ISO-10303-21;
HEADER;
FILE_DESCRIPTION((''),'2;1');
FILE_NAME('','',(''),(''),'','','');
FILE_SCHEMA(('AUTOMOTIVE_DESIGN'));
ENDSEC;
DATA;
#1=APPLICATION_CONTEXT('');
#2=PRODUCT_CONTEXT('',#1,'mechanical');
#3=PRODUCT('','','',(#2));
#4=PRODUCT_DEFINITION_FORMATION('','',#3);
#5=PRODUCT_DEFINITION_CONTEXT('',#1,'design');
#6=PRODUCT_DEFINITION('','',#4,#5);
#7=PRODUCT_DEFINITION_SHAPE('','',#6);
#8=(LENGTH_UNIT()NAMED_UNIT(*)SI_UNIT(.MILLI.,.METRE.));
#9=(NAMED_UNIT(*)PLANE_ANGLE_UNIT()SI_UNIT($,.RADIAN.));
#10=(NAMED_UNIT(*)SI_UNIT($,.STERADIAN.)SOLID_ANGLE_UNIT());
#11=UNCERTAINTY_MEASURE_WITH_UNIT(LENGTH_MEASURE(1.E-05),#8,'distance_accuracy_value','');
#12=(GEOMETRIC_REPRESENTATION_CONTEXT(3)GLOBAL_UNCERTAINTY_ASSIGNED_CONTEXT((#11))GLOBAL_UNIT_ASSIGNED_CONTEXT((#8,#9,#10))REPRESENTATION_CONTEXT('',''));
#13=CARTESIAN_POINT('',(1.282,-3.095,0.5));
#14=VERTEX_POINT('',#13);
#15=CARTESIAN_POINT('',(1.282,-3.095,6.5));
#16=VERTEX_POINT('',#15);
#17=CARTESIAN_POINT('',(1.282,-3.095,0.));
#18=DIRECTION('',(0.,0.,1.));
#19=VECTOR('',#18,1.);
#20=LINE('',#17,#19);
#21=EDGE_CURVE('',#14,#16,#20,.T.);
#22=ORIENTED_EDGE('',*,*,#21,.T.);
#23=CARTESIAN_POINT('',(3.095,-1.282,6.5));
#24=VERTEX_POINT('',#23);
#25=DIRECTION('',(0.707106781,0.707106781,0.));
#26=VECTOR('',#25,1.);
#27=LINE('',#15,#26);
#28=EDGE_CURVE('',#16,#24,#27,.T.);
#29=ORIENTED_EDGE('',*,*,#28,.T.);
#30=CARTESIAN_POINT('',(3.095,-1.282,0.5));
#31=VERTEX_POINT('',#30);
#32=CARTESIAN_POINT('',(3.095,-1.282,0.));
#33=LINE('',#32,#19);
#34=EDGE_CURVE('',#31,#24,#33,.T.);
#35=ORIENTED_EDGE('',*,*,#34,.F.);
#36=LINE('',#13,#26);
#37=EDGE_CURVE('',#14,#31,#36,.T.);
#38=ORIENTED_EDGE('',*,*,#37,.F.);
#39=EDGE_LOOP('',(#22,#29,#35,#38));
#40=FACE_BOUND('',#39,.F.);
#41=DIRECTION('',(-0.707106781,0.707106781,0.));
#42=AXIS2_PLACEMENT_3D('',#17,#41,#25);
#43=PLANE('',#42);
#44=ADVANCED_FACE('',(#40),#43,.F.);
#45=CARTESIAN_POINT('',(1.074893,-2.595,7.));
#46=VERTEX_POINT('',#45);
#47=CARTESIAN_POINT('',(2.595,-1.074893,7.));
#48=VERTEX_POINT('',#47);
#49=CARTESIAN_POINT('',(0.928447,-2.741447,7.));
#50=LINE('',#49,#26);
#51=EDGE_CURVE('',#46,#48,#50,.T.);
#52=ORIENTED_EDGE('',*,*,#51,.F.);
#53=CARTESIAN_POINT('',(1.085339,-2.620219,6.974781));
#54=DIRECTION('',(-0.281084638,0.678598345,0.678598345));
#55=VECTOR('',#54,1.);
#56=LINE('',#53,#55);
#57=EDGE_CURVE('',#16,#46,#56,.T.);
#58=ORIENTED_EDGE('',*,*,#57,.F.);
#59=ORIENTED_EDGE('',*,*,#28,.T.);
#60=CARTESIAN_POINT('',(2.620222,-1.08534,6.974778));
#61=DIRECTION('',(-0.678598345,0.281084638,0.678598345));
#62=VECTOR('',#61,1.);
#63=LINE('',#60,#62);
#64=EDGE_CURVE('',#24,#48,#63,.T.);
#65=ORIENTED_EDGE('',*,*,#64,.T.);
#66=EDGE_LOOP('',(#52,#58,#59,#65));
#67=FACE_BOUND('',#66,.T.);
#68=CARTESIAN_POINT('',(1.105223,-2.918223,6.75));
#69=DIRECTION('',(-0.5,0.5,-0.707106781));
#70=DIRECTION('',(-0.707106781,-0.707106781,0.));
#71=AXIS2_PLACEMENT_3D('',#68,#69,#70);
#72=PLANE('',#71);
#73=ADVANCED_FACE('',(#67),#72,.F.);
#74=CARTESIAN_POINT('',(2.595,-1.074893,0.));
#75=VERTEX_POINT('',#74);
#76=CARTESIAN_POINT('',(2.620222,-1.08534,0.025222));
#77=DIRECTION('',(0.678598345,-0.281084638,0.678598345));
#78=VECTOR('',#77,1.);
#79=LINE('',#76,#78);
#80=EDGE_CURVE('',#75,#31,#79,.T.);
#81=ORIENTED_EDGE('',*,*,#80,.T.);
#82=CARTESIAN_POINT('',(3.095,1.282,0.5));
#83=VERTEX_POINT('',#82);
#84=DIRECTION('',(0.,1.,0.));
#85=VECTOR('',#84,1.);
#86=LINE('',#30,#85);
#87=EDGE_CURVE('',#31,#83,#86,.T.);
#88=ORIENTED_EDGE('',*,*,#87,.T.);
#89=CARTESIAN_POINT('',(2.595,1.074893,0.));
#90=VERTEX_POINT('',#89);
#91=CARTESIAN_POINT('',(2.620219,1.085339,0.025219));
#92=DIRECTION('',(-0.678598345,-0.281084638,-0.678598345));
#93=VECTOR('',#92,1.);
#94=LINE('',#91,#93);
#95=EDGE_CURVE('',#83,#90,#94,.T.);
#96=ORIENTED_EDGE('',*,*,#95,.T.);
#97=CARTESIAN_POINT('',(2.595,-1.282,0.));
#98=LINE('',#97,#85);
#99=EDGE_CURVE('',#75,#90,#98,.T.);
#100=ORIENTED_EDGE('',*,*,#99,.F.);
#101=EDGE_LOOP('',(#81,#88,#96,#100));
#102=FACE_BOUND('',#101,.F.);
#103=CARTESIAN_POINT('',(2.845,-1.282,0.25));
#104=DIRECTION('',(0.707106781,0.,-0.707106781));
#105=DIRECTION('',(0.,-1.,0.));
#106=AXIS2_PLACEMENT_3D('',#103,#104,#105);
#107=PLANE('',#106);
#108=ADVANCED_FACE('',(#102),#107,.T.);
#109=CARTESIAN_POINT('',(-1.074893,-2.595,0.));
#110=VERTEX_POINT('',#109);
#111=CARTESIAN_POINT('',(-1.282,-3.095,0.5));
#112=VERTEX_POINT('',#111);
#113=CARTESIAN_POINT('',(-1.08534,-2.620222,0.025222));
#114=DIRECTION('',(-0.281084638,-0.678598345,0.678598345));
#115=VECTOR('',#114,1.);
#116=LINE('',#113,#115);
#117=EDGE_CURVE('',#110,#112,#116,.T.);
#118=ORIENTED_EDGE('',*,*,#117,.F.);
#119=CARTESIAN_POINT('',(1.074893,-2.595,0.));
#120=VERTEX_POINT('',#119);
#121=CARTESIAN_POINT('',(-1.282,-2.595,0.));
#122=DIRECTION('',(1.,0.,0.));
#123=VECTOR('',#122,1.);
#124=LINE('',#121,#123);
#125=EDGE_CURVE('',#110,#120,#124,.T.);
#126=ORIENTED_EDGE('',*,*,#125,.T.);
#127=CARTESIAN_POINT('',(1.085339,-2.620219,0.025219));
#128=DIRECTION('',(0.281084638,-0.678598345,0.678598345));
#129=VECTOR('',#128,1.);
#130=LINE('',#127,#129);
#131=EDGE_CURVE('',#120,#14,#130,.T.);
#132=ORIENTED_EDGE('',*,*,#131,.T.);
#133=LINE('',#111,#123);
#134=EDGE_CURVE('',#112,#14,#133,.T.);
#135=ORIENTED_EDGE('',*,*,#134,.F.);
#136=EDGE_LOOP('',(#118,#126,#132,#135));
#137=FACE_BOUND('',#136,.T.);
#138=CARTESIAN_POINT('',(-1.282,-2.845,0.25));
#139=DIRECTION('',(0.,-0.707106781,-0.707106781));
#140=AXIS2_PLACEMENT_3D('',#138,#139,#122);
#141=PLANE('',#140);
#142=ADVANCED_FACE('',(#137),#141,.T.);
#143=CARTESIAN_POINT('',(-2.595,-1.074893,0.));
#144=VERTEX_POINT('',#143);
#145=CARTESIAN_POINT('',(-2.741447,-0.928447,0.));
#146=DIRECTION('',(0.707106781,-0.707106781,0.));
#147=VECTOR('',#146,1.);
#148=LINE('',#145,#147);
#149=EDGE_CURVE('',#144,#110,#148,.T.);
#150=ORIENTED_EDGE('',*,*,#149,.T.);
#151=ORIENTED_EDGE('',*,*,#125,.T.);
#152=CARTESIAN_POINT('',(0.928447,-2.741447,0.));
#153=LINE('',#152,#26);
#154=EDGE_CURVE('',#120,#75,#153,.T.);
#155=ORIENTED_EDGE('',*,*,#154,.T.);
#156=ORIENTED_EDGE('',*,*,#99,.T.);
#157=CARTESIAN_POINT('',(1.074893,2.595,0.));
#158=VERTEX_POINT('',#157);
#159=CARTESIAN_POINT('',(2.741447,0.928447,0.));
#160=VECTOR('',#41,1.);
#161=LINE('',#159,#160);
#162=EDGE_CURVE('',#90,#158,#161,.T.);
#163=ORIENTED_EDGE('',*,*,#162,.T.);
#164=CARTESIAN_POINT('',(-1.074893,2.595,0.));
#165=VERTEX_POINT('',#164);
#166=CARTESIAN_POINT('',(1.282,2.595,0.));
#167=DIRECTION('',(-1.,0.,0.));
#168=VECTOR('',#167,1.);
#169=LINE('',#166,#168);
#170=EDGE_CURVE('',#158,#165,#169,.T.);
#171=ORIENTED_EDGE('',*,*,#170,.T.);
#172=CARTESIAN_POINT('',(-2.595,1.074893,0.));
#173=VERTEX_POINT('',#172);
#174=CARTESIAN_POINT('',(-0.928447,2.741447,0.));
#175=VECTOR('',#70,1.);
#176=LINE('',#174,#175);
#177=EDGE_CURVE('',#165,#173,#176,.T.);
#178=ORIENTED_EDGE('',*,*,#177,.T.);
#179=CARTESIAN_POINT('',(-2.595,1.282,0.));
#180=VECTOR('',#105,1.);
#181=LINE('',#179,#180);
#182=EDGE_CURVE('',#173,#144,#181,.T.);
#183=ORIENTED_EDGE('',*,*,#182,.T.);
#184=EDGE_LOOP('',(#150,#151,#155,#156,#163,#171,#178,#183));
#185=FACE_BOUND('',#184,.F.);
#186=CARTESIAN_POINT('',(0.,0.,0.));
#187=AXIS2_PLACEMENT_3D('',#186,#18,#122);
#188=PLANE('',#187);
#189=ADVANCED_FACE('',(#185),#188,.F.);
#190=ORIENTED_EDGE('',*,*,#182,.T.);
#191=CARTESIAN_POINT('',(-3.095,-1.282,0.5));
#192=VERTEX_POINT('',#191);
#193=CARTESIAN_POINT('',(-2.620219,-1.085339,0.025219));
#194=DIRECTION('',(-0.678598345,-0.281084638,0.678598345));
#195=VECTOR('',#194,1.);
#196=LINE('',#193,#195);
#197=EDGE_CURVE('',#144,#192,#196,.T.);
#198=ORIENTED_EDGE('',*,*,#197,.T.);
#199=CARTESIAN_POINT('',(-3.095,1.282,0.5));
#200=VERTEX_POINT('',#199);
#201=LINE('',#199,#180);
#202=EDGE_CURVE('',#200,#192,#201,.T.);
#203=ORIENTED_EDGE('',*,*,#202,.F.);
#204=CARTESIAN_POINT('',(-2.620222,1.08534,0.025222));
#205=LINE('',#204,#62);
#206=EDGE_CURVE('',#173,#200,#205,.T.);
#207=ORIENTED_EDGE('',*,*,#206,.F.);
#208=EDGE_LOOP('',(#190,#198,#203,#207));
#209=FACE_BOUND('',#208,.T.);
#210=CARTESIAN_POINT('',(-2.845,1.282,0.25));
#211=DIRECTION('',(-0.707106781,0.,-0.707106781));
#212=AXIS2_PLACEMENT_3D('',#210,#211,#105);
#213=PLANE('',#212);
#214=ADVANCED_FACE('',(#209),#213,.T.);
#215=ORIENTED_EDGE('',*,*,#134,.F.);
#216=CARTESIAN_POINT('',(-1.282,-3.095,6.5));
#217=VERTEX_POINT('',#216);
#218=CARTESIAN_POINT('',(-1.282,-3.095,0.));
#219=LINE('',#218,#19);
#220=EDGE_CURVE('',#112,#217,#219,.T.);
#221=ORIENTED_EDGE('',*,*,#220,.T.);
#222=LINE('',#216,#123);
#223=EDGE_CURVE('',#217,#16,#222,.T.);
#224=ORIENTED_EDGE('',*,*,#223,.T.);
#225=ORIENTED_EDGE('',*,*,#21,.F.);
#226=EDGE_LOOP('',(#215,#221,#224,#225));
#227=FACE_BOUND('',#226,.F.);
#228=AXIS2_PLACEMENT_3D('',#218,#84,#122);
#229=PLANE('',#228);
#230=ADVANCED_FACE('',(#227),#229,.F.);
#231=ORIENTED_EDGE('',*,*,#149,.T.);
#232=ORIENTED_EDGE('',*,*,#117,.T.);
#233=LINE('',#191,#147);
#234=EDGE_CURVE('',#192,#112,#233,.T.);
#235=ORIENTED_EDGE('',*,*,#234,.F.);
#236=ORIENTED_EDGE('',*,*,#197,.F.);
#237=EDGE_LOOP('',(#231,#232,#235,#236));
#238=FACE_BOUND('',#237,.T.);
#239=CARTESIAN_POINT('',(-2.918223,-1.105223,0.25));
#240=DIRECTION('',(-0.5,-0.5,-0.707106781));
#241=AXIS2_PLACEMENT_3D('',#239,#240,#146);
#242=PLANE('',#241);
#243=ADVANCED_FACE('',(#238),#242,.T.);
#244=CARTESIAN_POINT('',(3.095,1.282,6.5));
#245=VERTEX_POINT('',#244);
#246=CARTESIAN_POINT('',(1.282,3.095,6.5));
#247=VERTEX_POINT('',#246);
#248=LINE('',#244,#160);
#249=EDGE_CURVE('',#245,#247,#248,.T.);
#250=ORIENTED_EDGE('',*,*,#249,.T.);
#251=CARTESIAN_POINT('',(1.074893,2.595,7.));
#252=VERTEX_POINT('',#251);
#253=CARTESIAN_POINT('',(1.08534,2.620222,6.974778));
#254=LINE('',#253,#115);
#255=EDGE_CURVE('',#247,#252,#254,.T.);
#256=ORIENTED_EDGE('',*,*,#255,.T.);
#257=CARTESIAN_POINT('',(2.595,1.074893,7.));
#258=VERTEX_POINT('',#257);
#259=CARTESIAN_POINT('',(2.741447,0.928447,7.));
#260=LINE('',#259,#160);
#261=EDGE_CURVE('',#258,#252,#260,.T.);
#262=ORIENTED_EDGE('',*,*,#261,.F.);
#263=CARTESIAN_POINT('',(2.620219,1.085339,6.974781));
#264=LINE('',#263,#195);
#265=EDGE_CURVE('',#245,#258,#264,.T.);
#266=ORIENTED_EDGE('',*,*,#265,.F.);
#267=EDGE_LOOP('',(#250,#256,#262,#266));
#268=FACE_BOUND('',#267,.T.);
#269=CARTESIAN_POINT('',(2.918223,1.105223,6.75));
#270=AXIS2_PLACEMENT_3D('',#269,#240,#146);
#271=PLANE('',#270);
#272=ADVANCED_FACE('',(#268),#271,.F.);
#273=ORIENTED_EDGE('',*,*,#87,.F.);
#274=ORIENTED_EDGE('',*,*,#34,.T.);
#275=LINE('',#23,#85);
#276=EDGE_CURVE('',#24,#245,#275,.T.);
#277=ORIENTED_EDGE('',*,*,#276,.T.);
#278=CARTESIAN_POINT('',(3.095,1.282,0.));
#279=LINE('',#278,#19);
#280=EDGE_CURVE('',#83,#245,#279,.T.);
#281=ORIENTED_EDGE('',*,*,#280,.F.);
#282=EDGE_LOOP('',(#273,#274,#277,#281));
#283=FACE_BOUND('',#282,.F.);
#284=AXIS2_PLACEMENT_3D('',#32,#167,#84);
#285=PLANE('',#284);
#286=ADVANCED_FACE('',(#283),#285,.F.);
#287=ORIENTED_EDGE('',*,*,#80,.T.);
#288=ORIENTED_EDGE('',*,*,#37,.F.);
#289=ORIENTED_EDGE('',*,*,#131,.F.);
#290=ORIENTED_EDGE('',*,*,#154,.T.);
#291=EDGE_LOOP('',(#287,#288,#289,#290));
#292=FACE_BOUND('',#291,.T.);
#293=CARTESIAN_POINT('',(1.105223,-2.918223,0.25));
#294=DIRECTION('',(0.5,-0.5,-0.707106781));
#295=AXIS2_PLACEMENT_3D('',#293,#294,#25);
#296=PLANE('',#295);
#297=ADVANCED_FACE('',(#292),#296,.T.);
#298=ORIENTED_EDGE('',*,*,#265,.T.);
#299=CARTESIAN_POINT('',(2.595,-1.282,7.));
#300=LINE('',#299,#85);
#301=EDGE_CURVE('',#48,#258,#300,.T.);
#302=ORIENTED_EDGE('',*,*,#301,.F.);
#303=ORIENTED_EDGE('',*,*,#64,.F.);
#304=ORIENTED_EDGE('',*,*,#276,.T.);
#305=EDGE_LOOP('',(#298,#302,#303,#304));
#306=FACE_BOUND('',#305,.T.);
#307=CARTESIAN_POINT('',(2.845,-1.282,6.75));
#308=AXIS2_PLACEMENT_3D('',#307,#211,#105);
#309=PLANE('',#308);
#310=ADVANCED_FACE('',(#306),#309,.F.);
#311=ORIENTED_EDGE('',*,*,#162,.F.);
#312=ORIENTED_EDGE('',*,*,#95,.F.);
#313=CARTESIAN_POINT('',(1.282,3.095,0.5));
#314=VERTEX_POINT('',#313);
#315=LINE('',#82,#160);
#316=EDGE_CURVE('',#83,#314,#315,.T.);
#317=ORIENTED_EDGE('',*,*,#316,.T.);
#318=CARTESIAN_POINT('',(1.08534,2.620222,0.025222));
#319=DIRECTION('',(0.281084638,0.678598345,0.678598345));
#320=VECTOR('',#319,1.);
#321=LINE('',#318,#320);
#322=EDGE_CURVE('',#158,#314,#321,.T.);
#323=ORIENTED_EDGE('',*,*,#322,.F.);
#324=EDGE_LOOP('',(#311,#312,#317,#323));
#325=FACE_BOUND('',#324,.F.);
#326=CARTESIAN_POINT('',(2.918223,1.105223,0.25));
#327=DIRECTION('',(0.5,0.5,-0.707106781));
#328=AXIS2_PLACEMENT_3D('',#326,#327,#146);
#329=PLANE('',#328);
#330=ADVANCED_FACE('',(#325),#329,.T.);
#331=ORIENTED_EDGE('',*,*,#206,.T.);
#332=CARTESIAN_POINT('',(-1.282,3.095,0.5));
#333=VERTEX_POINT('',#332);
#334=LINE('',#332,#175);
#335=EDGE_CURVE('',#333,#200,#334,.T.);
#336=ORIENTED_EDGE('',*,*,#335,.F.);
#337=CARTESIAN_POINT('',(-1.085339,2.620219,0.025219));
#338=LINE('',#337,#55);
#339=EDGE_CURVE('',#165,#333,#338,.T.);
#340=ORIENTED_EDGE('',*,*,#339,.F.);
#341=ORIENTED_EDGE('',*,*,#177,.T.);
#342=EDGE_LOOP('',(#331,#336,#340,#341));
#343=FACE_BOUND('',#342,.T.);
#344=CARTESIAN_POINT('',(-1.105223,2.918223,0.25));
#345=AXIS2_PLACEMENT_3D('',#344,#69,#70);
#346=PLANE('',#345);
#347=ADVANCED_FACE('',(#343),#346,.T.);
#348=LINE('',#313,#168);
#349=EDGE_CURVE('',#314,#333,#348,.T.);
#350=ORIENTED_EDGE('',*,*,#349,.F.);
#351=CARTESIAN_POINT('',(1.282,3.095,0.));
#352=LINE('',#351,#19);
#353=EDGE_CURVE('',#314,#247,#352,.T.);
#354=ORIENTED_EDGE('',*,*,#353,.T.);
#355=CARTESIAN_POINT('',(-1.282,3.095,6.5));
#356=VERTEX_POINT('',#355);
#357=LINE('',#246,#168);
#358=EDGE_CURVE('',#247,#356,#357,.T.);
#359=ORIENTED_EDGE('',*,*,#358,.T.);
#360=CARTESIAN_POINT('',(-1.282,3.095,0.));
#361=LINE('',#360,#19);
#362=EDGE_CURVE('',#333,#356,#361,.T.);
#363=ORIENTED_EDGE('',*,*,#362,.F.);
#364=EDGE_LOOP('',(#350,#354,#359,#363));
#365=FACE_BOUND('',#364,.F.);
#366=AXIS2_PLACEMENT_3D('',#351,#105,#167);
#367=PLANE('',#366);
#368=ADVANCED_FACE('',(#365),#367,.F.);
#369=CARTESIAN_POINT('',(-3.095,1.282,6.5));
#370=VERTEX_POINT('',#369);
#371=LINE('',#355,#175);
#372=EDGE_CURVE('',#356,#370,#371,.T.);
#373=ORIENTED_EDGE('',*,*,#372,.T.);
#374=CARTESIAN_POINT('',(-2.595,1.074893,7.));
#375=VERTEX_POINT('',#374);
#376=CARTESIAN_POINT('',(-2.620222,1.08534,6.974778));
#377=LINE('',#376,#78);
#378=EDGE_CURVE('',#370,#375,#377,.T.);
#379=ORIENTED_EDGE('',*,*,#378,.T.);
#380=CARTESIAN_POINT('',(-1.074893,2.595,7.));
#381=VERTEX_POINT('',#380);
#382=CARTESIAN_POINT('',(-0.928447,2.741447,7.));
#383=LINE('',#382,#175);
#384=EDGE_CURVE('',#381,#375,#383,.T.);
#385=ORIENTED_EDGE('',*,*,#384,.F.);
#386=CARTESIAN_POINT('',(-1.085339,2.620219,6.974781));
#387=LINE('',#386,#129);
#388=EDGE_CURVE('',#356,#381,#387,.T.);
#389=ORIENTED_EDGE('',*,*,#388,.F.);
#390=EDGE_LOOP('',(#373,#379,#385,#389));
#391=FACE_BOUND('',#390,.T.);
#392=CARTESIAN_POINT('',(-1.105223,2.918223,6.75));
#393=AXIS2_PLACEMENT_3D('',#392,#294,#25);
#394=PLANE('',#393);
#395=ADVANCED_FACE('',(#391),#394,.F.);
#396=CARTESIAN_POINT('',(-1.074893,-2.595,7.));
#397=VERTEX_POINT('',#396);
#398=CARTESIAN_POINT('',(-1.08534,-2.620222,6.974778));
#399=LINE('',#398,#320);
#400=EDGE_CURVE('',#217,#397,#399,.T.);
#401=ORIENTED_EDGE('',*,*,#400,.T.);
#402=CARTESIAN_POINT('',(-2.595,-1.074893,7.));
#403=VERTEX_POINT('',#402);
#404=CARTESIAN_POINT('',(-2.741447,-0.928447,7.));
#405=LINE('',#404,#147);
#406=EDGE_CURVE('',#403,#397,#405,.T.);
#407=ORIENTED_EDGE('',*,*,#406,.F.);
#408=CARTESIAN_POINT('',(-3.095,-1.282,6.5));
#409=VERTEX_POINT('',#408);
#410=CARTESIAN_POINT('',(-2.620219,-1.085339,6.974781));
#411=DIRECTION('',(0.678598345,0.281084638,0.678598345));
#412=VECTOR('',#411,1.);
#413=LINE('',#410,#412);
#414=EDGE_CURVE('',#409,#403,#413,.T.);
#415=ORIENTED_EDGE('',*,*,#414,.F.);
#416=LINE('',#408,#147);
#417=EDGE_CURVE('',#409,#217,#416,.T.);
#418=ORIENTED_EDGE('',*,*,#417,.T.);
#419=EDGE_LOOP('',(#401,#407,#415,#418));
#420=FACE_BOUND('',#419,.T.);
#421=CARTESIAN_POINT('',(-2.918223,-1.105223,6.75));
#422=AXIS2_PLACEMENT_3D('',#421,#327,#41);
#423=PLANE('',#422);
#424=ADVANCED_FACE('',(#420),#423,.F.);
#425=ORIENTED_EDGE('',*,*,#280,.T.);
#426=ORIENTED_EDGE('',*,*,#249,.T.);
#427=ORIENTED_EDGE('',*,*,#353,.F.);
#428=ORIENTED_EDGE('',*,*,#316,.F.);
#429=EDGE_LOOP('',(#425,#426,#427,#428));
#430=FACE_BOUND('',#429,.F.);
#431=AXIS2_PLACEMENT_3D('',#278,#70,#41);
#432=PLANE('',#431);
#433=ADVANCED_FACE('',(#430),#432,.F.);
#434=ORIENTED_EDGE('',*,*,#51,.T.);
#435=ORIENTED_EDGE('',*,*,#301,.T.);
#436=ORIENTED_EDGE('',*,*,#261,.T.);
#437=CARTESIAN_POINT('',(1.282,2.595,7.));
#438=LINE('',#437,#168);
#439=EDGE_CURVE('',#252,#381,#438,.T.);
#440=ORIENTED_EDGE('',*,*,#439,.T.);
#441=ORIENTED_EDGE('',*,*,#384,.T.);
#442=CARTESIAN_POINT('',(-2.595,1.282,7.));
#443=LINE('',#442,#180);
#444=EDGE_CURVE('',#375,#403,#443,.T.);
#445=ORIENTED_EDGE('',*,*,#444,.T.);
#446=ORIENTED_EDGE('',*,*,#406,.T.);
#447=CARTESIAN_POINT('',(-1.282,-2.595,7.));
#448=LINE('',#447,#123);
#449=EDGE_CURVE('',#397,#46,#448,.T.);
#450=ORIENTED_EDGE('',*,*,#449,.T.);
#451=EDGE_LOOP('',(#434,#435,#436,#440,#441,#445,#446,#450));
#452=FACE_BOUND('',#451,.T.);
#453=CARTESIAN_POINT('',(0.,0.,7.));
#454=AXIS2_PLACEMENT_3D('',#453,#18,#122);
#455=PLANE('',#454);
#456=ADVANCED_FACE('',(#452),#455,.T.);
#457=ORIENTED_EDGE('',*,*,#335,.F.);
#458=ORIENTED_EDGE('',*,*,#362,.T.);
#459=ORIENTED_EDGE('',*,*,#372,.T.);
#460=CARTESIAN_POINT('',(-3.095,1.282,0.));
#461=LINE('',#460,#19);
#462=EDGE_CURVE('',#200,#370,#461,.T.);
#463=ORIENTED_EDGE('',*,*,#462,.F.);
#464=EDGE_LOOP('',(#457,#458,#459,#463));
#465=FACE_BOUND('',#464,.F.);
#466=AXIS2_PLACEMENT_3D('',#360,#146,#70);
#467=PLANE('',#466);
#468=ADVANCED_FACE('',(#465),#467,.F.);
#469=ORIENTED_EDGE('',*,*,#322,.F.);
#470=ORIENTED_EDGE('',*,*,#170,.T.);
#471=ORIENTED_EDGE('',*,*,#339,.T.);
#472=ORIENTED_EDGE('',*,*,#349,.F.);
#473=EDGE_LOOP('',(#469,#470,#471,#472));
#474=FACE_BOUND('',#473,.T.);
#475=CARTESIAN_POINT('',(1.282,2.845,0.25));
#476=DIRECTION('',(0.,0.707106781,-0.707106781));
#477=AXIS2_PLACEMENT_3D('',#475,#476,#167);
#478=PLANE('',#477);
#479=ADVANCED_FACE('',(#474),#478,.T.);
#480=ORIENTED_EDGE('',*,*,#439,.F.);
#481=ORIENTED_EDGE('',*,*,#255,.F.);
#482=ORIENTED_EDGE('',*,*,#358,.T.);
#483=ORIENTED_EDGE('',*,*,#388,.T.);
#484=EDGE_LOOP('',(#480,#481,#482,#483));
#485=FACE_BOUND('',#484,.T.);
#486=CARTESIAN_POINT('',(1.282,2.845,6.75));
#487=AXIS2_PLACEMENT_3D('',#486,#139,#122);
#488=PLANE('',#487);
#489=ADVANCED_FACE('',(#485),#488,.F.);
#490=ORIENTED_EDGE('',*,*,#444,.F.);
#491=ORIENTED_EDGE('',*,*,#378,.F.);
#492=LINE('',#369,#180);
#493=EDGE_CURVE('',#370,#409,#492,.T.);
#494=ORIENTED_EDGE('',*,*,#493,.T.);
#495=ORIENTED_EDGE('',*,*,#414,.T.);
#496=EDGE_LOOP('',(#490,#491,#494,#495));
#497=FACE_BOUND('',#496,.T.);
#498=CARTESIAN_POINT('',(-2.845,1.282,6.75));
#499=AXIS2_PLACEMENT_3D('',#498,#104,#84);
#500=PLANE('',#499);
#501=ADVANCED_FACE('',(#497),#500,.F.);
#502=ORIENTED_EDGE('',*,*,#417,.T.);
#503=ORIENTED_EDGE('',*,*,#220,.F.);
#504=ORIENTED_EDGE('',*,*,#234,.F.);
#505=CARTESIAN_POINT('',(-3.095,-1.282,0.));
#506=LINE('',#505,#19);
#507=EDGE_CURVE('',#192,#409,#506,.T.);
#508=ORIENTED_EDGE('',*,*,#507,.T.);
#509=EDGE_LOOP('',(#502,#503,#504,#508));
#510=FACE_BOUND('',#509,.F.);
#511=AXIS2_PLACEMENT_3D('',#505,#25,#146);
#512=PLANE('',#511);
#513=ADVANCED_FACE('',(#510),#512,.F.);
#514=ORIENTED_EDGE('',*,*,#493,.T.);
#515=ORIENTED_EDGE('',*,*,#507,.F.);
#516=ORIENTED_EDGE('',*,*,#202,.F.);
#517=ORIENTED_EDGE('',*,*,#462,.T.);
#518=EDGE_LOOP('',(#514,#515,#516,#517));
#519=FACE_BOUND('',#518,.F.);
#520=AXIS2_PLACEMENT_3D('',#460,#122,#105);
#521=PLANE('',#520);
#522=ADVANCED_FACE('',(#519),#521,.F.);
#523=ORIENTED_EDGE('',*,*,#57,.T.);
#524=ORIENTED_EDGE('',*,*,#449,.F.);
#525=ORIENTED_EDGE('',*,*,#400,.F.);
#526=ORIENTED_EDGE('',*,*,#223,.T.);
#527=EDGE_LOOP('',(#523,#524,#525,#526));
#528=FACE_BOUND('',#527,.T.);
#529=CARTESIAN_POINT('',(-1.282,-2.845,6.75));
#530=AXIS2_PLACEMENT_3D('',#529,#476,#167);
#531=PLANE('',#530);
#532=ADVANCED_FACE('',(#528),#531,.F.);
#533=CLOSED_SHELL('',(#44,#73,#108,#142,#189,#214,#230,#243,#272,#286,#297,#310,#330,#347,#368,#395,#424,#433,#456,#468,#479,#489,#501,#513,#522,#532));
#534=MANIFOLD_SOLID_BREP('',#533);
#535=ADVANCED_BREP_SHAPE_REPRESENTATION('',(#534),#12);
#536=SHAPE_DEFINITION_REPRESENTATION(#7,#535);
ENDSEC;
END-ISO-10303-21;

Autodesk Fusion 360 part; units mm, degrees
sketch "Sketch1" plane through (0, 0, 0) normal (0, 0, 1) x (1, 0, 0)
  circle A0 centre (0, 0) radius 3.35 construction
  line L0 (1.282, 3.095) -> (-1.282, 3.095)
  line L1 (-1.282, 3.095) -> (-3.095, 1.282)
  line L2 (-3.095, 1.282) -> (-3.095, -1.282)
  line L3 (-3.095, -1.282) -> (-1.282, -3.095)
  line L4 (-1.282, -3.095) -> (1.282, -3.095)
  line L5 (1.282, -3.095) -> (3.095, -1.282)
  line L6 (3.095, -1.282) -> (3.095, 1.282)
  line L7 (3.095, 1.282) -> (1.282, 3.095)
  dimension "d1" = 6.7
extrude "Extrude1" add sketch "Sketch1" along normal blind 7
chamfer "Chamfer1" distance 0.5 angle 45 8 edges at (-2.1885, 2.1885, 7) (-3.095, 0, 7) (-2.1885, -2.1885, 7) (2.1885, -2.1885, 7) (3.095, 0, 7) (2.1885, 2.1885, 7) (0, 3.095, 7) (0, -3.095, 7)
chamfer "Chamfer2" distance 0.5 angle 45 8 edges at (2.1885, -2.1885, 0) (-2.1885, -2.1885, 0) (-3.095, 0, 0) (-2.1885, 2.1885, 0) (0, 3.095, 0) (2.1885, 2.1885, 0) (3.095, 0, 0) (0, -3.095, 0)
